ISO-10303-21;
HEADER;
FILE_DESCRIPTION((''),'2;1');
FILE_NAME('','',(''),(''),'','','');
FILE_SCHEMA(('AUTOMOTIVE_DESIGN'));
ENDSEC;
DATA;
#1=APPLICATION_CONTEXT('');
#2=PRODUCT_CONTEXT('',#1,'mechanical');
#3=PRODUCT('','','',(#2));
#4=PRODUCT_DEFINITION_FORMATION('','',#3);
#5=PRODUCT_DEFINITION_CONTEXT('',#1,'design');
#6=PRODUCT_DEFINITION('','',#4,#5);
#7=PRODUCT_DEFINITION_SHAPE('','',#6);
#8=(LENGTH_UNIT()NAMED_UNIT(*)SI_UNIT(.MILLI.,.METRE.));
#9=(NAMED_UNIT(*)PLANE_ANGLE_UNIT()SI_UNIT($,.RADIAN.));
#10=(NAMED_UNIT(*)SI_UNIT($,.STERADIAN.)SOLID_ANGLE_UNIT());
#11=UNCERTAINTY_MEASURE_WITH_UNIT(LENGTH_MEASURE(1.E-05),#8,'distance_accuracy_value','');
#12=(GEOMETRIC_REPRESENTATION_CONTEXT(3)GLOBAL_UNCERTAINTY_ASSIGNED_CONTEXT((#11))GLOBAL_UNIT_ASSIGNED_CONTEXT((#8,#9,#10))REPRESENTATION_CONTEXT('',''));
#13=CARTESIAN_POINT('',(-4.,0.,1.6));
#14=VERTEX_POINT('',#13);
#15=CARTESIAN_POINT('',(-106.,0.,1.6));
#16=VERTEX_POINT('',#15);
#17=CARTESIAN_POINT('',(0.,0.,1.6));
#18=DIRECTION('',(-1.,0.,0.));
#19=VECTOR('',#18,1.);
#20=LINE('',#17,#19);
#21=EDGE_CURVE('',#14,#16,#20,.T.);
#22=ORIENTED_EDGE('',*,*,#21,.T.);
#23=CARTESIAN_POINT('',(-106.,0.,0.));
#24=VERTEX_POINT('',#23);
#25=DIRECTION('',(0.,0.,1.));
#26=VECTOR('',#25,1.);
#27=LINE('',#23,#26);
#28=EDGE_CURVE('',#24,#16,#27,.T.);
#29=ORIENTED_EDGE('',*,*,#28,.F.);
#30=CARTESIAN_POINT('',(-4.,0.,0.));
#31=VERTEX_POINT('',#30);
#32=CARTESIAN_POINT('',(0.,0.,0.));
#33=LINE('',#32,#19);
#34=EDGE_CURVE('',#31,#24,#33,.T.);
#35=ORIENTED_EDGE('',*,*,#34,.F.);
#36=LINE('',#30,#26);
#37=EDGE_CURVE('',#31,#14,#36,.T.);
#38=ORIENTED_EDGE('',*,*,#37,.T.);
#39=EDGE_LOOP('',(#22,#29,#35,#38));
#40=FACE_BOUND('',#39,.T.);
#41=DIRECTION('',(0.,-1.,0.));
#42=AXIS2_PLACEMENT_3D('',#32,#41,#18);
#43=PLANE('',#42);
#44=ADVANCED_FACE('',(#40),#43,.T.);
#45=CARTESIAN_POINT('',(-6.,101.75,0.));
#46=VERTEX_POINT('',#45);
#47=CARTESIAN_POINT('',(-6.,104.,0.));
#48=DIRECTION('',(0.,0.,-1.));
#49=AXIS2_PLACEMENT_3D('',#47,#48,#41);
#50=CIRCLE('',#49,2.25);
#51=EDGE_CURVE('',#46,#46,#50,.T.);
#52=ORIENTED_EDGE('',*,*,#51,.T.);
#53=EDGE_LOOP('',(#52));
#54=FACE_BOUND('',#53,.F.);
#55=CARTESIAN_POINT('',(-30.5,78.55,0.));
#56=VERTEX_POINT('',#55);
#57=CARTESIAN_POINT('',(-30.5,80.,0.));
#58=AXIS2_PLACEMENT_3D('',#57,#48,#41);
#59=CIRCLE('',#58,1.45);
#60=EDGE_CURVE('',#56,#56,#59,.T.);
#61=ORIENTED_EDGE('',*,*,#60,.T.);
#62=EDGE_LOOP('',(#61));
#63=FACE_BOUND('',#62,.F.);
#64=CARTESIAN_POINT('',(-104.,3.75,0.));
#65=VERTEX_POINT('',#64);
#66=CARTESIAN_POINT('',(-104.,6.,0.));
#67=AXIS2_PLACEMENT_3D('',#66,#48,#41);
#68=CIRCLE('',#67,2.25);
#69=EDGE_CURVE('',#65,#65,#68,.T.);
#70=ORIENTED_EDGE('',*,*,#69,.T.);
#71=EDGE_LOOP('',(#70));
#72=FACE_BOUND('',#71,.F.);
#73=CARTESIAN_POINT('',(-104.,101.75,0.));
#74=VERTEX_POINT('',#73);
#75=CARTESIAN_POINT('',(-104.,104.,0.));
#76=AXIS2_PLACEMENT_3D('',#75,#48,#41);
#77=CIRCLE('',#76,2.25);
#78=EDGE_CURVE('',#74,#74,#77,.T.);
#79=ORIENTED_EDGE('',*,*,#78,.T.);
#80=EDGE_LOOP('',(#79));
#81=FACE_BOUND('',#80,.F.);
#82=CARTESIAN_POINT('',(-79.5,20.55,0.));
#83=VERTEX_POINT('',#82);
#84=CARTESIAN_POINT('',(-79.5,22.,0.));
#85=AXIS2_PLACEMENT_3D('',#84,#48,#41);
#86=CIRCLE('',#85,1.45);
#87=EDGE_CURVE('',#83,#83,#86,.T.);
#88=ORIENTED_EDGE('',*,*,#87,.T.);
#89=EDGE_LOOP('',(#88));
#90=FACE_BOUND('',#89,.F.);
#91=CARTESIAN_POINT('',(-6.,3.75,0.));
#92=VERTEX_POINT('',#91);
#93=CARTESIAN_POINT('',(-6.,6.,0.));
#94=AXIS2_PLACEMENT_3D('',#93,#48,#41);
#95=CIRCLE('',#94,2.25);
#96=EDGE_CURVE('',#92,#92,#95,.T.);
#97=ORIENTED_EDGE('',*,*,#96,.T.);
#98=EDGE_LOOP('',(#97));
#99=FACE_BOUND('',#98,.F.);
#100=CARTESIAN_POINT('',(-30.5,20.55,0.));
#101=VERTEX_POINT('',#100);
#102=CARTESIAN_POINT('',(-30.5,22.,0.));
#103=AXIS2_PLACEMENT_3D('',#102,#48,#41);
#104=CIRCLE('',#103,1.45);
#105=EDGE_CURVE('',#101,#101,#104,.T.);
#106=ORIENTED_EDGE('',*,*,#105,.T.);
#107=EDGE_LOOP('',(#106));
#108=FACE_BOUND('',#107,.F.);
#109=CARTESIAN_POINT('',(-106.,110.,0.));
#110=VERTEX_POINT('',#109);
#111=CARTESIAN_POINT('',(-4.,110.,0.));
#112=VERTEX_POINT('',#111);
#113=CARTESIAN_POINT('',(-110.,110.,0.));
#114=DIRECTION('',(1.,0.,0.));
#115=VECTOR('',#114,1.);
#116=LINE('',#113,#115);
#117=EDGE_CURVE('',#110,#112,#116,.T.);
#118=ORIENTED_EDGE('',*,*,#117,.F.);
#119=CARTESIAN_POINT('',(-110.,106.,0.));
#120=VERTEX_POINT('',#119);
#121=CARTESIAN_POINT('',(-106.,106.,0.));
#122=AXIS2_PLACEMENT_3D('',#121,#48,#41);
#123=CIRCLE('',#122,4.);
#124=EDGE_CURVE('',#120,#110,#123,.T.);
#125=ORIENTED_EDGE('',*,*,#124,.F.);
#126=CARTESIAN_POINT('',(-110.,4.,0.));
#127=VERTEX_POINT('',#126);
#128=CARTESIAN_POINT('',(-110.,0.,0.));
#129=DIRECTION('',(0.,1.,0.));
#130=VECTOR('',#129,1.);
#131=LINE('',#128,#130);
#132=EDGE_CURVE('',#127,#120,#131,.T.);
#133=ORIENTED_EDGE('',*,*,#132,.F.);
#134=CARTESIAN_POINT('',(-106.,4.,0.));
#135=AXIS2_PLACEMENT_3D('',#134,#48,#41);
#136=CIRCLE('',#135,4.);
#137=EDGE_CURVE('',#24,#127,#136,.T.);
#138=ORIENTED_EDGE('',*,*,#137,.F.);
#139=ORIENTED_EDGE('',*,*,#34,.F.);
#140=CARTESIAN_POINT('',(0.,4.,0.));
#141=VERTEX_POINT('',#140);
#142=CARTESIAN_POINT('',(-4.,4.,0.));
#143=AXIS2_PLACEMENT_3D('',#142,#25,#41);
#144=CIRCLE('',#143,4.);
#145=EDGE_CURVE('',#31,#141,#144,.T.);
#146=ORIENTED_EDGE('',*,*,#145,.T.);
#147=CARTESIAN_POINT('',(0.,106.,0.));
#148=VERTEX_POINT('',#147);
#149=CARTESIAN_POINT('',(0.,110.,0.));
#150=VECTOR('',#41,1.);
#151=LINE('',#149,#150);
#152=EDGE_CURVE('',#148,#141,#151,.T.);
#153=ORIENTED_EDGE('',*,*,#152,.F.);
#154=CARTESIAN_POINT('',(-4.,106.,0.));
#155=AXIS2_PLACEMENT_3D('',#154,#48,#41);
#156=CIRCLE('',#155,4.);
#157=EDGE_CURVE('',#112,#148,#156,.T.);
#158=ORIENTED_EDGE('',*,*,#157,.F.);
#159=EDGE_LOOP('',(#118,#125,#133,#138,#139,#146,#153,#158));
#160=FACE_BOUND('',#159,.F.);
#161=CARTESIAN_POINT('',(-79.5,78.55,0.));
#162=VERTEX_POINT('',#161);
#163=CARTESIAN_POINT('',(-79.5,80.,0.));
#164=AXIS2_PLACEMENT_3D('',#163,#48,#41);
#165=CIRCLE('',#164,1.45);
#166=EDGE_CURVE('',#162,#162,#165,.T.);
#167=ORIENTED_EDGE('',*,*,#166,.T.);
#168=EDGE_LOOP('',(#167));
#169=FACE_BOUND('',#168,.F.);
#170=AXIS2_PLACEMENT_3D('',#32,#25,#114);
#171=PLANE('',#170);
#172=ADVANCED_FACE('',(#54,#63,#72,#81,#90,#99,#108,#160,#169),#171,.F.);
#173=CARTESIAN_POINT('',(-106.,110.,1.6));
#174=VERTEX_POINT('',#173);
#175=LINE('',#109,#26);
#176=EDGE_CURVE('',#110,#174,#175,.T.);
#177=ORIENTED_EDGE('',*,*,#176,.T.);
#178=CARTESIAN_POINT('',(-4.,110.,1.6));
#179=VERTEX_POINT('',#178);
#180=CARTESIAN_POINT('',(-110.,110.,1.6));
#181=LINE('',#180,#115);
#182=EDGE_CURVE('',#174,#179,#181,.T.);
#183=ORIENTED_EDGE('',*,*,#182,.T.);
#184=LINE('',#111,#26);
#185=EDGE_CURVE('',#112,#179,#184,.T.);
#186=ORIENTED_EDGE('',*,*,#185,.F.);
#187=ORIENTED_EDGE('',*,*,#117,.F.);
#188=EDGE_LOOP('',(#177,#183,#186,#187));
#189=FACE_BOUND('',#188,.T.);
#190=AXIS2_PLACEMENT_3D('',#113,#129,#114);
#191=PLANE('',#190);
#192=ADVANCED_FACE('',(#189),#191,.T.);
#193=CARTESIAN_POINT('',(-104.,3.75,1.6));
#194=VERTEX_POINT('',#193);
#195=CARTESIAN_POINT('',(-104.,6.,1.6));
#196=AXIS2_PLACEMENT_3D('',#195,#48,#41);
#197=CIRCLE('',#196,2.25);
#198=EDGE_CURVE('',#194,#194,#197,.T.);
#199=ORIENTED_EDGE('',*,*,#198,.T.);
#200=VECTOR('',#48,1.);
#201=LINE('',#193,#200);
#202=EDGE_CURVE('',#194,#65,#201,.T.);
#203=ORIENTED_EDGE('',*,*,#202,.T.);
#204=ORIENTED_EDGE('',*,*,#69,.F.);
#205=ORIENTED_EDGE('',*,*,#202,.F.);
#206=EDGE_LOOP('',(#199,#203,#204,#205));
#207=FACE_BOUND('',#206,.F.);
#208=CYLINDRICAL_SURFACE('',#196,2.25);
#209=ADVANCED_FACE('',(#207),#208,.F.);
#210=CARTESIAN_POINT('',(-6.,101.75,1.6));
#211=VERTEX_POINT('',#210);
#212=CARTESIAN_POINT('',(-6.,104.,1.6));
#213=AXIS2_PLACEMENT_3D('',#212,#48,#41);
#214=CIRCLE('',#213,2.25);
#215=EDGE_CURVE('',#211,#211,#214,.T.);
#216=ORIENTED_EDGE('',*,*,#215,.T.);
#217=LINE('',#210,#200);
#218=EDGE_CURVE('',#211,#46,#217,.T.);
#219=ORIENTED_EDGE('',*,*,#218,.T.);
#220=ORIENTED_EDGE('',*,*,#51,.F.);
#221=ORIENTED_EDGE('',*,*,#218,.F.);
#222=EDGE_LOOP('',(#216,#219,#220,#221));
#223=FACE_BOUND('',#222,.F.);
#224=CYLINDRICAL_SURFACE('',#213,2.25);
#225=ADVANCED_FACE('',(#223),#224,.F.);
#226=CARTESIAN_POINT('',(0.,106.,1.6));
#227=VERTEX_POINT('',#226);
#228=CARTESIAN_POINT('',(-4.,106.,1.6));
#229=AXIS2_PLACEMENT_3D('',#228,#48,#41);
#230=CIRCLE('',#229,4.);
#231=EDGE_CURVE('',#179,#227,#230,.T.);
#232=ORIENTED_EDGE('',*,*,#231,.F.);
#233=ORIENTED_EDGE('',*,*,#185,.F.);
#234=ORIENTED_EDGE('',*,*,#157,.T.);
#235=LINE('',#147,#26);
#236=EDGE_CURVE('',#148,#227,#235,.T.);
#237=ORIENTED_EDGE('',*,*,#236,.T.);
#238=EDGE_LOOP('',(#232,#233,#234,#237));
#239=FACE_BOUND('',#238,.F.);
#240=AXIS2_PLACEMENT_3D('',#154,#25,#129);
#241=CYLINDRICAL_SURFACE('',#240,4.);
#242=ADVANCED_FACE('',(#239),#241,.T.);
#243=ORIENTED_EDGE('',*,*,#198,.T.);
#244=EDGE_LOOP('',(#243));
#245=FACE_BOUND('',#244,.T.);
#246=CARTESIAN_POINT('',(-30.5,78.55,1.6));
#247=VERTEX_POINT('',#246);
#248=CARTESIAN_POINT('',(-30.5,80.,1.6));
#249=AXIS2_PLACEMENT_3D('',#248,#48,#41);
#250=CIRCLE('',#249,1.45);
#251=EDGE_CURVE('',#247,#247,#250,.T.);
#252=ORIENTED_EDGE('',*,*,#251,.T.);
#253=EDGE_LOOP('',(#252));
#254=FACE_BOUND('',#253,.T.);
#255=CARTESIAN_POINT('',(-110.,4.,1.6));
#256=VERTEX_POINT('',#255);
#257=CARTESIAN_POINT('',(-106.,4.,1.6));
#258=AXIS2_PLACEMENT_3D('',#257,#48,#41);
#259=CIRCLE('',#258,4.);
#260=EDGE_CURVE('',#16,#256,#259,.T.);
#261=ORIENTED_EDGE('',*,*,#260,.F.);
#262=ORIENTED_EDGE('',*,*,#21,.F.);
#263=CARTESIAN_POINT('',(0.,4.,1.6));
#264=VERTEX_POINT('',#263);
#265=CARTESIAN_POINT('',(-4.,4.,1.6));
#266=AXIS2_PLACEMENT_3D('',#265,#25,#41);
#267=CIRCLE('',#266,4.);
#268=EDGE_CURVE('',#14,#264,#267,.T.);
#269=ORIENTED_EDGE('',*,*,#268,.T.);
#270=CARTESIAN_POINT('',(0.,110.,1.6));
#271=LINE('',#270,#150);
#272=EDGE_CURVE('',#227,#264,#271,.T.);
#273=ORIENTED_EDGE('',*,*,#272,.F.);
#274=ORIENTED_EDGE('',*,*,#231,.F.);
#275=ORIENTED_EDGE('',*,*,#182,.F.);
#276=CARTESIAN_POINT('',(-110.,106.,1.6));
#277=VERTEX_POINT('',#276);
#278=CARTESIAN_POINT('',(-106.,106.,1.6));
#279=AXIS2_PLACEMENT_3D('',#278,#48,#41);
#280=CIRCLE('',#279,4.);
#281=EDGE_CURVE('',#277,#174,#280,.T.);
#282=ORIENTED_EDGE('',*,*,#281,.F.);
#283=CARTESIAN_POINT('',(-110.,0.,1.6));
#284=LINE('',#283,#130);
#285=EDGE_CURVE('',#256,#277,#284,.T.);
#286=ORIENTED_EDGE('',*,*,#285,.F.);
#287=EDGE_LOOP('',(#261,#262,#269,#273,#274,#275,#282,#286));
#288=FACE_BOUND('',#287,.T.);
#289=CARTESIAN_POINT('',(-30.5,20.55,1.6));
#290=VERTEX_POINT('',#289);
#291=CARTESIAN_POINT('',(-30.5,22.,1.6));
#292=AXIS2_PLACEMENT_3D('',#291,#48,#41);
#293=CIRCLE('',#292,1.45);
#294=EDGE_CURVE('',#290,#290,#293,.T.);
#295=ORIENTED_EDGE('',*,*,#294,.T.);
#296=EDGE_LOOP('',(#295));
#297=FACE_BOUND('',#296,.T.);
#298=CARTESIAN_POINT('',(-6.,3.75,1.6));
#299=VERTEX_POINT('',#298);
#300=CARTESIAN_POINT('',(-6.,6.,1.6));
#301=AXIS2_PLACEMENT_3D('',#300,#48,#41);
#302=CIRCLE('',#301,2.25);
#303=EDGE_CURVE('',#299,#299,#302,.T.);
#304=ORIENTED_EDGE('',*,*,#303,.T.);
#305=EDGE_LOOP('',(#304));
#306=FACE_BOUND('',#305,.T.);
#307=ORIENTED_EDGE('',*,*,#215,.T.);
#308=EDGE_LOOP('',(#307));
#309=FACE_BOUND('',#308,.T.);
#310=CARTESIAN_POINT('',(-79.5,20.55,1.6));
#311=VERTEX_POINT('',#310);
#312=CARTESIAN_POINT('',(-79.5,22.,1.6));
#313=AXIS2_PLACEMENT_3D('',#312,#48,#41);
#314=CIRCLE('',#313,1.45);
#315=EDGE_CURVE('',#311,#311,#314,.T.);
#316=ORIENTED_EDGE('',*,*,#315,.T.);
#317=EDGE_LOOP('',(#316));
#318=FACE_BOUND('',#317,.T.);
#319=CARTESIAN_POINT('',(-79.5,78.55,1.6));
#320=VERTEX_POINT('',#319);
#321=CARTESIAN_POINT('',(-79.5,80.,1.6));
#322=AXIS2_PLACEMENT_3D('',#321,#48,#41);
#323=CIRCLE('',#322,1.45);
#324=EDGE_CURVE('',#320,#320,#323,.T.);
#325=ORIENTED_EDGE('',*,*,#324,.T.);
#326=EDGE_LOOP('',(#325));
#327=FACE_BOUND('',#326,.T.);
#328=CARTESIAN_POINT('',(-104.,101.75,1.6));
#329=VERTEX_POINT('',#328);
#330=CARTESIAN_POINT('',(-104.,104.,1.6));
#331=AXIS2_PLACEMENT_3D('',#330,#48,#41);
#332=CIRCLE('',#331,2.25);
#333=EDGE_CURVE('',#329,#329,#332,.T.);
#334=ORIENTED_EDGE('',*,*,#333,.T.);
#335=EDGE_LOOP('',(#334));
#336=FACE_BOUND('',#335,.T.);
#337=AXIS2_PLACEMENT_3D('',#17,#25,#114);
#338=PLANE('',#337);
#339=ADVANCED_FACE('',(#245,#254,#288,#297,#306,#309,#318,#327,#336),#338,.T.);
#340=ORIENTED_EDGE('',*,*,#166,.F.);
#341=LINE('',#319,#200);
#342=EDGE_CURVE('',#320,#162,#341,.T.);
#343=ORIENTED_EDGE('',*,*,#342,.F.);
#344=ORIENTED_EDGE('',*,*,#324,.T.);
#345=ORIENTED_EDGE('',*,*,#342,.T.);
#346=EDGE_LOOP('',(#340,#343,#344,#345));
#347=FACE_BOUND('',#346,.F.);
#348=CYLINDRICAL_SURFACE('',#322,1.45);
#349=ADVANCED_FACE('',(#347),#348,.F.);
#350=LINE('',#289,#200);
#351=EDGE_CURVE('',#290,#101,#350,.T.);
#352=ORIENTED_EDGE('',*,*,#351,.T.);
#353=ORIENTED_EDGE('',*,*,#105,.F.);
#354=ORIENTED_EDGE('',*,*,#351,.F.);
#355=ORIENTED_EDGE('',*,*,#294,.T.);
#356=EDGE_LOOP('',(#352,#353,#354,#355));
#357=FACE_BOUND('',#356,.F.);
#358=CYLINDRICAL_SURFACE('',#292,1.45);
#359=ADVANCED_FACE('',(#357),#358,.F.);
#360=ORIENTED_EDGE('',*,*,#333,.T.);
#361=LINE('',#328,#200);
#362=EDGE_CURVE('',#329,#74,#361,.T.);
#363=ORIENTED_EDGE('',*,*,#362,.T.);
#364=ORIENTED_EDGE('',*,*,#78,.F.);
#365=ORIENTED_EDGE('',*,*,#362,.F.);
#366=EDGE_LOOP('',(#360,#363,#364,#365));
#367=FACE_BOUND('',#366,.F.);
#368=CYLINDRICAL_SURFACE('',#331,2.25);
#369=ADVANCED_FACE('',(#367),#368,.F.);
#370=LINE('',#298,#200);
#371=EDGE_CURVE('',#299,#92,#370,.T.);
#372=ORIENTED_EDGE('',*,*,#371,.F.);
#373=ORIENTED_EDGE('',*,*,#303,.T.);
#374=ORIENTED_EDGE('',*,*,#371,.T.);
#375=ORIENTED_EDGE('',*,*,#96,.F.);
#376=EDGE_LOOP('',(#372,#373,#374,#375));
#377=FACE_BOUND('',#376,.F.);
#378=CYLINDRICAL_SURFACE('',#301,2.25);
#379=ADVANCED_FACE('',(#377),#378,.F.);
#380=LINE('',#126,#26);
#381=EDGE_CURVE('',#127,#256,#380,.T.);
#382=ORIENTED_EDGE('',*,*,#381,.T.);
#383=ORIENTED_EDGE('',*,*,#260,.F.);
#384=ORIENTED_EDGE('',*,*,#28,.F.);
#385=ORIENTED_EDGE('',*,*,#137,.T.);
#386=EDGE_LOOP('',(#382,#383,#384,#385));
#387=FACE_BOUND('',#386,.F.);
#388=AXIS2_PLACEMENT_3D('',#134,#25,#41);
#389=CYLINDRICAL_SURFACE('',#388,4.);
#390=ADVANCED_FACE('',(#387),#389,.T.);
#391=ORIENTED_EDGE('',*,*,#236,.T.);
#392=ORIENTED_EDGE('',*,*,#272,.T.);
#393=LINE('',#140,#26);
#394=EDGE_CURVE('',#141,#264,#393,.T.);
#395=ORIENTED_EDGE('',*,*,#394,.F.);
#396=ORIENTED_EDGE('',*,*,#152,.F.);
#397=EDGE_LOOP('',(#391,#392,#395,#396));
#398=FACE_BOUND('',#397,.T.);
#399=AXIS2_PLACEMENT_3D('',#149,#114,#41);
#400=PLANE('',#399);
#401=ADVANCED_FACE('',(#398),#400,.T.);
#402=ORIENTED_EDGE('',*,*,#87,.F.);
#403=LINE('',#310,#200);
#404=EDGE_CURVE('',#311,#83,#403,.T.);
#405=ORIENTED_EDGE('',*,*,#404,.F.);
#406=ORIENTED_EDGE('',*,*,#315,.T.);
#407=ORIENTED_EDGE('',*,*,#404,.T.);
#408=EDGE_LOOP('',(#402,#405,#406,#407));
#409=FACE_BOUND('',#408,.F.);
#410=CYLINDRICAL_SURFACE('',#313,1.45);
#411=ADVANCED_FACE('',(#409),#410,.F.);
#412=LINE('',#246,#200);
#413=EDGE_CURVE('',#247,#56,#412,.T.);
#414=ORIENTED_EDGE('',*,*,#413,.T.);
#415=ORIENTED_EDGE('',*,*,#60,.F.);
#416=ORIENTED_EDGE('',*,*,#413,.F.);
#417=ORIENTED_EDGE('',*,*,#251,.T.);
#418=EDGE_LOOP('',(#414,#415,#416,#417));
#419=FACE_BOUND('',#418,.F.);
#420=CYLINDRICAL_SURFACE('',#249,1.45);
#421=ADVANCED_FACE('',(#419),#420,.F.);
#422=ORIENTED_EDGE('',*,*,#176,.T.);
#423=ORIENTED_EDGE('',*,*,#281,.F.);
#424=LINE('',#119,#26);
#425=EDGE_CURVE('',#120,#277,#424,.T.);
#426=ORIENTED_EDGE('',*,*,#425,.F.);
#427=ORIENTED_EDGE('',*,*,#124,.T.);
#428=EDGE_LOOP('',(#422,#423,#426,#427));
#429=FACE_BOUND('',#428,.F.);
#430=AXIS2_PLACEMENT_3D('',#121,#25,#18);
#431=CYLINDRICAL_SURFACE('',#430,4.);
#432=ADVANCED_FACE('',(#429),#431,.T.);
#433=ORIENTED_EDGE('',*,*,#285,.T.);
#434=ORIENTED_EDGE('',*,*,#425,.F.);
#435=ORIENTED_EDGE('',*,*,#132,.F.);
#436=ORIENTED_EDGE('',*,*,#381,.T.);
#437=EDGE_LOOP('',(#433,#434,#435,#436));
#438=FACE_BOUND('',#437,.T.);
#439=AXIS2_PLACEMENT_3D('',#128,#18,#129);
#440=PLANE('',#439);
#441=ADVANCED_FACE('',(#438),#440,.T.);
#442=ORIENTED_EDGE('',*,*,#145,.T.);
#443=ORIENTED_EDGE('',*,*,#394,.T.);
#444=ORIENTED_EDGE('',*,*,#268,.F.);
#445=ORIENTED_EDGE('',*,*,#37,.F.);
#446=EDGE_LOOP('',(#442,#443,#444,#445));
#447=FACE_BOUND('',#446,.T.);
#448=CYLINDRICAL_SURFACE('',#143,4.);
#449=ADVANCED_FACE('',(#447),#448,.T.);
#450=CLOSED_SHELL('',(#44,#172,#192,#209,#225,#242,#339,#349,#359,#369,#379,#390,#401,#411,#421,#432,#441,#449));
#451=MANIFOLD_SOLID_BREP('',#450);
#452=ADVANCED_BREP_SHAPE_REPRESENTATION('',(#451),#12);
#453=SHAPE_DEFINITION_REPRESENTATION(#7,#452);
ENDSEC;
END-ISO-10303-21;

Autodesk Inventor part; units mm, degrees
ref_plane "YZ Plane" through (0, 0, 0) normal (1, 0, 0) x (0, 1, 0)
ref_plane "XZ Plane" through (0, 0, 0) normal (0, 1, 0) x (-1, 0, 0)
ref_plane "XY Plane" through (0, 0, 0) normal (0, 0, 1) x (1, 0, 0)
sketch "Sketch1" plane through (0, 0, 0) normal (0, 0, 1) x (1, 0, 0)
  line L0 (0, 0) -> (-110, 0)
  line L1 (-110, 0) -> (-110, 110)
  line L2 (-110, 110) -> (0, 110)
  line L3 (0, 110) -> (0, 0)
  dimension "pcb_size" = 110
  dimension "d1" = 110
extrude "Extrusion1" add sketch "Sketch1" along normal blind 1.6
fillet "Fillet1" radius 4 4 edges at (0, 0, 0.8) (0, 110, 0.8) (-110, 110, 0.8) (-110, 0, 0.8)
sketch "Sketch2" plane through (0, 0, 1.6) normal (0, 0, 1) x (1, 0, 0)
  line L0 (0, 4) -> (0, 106) projected
  line L1 (-4, 110) -> (-106, 110) projected
  line L2 (-55, 110) -> (-55, 0) construction
  line L3 (-106, 0) -> (-4, 0) construction
  line L4 (0, 55) -> (-110, 55) construction
  line L5 (-110, 106) -> (-110, 4) construction
  point P0 (0, 0)
  point P1 (-6, 104)
  point P2 (-104, 104)
  point P3 (-6, 6)
  point P4 (-104, 6)
  dimension "d12" = 6
  dimension "d13" = 6
  dimension "pcb_fixation_ecart" = 98
  dimension "d28" = 98
hole "Hole1" at (-6, 104, 1.6) at (-6, 6, 1.6) at (-104, 6, 1.6) at (-104, 104, 1.6) direction (0, 0, -1) diameter 4.5 end through all clearance for "Countersunk Flat Head Screw DIN EN ISO 2009" size "M4" standard "DIN"
sketch "Sketch3" plane through (-55, 69.5861, 1.6) normal (0, 0, 1) x (1, 0, 0)
  line L0 (-24.5, -47.5861) -> (24.5, -47.5861) construction
  line L1 (-24.5, -47.5861) -> (-24.5, 10.4139) construction
  line L2 (0, -47.5861) -> (0, 10.4139) construction
  line L3 (-24.5, 10.4139) -> (24.5, 10.4139) construction
  line L4 (24.5, 10.4139) -> (24.5, -47.5861) construction
  line L5 (0, -4) -> (-24.5, -47.5861) construction
  line L6 (55, -65.5861) -> (55, 36.4139) projected
  line L7 (-55, 36.4139) -> (-55, -65.5861) projected
  line L8 (51, 40.4139) -> (-51, 40.4139) projected
  dimension "d16" = 58
  dimension "d15" = 49
  dimension "d17" = 50
  dimension "d24" = 110
  dimension "d25" = 55
  dimension "d26" = 30
hole "Hole2" at (-79.5, 22, 1.6) at (-79.5, 80, 1.6) at (-30.5, 22, 1.6) at (-30.5, 80, 1.6) direction (0, 0, -1) diameter 2.9 end through all
equation "\"d13\" = d12"
equation "\"d25\" = 0.5 * d24"
properties part number "pcb"
